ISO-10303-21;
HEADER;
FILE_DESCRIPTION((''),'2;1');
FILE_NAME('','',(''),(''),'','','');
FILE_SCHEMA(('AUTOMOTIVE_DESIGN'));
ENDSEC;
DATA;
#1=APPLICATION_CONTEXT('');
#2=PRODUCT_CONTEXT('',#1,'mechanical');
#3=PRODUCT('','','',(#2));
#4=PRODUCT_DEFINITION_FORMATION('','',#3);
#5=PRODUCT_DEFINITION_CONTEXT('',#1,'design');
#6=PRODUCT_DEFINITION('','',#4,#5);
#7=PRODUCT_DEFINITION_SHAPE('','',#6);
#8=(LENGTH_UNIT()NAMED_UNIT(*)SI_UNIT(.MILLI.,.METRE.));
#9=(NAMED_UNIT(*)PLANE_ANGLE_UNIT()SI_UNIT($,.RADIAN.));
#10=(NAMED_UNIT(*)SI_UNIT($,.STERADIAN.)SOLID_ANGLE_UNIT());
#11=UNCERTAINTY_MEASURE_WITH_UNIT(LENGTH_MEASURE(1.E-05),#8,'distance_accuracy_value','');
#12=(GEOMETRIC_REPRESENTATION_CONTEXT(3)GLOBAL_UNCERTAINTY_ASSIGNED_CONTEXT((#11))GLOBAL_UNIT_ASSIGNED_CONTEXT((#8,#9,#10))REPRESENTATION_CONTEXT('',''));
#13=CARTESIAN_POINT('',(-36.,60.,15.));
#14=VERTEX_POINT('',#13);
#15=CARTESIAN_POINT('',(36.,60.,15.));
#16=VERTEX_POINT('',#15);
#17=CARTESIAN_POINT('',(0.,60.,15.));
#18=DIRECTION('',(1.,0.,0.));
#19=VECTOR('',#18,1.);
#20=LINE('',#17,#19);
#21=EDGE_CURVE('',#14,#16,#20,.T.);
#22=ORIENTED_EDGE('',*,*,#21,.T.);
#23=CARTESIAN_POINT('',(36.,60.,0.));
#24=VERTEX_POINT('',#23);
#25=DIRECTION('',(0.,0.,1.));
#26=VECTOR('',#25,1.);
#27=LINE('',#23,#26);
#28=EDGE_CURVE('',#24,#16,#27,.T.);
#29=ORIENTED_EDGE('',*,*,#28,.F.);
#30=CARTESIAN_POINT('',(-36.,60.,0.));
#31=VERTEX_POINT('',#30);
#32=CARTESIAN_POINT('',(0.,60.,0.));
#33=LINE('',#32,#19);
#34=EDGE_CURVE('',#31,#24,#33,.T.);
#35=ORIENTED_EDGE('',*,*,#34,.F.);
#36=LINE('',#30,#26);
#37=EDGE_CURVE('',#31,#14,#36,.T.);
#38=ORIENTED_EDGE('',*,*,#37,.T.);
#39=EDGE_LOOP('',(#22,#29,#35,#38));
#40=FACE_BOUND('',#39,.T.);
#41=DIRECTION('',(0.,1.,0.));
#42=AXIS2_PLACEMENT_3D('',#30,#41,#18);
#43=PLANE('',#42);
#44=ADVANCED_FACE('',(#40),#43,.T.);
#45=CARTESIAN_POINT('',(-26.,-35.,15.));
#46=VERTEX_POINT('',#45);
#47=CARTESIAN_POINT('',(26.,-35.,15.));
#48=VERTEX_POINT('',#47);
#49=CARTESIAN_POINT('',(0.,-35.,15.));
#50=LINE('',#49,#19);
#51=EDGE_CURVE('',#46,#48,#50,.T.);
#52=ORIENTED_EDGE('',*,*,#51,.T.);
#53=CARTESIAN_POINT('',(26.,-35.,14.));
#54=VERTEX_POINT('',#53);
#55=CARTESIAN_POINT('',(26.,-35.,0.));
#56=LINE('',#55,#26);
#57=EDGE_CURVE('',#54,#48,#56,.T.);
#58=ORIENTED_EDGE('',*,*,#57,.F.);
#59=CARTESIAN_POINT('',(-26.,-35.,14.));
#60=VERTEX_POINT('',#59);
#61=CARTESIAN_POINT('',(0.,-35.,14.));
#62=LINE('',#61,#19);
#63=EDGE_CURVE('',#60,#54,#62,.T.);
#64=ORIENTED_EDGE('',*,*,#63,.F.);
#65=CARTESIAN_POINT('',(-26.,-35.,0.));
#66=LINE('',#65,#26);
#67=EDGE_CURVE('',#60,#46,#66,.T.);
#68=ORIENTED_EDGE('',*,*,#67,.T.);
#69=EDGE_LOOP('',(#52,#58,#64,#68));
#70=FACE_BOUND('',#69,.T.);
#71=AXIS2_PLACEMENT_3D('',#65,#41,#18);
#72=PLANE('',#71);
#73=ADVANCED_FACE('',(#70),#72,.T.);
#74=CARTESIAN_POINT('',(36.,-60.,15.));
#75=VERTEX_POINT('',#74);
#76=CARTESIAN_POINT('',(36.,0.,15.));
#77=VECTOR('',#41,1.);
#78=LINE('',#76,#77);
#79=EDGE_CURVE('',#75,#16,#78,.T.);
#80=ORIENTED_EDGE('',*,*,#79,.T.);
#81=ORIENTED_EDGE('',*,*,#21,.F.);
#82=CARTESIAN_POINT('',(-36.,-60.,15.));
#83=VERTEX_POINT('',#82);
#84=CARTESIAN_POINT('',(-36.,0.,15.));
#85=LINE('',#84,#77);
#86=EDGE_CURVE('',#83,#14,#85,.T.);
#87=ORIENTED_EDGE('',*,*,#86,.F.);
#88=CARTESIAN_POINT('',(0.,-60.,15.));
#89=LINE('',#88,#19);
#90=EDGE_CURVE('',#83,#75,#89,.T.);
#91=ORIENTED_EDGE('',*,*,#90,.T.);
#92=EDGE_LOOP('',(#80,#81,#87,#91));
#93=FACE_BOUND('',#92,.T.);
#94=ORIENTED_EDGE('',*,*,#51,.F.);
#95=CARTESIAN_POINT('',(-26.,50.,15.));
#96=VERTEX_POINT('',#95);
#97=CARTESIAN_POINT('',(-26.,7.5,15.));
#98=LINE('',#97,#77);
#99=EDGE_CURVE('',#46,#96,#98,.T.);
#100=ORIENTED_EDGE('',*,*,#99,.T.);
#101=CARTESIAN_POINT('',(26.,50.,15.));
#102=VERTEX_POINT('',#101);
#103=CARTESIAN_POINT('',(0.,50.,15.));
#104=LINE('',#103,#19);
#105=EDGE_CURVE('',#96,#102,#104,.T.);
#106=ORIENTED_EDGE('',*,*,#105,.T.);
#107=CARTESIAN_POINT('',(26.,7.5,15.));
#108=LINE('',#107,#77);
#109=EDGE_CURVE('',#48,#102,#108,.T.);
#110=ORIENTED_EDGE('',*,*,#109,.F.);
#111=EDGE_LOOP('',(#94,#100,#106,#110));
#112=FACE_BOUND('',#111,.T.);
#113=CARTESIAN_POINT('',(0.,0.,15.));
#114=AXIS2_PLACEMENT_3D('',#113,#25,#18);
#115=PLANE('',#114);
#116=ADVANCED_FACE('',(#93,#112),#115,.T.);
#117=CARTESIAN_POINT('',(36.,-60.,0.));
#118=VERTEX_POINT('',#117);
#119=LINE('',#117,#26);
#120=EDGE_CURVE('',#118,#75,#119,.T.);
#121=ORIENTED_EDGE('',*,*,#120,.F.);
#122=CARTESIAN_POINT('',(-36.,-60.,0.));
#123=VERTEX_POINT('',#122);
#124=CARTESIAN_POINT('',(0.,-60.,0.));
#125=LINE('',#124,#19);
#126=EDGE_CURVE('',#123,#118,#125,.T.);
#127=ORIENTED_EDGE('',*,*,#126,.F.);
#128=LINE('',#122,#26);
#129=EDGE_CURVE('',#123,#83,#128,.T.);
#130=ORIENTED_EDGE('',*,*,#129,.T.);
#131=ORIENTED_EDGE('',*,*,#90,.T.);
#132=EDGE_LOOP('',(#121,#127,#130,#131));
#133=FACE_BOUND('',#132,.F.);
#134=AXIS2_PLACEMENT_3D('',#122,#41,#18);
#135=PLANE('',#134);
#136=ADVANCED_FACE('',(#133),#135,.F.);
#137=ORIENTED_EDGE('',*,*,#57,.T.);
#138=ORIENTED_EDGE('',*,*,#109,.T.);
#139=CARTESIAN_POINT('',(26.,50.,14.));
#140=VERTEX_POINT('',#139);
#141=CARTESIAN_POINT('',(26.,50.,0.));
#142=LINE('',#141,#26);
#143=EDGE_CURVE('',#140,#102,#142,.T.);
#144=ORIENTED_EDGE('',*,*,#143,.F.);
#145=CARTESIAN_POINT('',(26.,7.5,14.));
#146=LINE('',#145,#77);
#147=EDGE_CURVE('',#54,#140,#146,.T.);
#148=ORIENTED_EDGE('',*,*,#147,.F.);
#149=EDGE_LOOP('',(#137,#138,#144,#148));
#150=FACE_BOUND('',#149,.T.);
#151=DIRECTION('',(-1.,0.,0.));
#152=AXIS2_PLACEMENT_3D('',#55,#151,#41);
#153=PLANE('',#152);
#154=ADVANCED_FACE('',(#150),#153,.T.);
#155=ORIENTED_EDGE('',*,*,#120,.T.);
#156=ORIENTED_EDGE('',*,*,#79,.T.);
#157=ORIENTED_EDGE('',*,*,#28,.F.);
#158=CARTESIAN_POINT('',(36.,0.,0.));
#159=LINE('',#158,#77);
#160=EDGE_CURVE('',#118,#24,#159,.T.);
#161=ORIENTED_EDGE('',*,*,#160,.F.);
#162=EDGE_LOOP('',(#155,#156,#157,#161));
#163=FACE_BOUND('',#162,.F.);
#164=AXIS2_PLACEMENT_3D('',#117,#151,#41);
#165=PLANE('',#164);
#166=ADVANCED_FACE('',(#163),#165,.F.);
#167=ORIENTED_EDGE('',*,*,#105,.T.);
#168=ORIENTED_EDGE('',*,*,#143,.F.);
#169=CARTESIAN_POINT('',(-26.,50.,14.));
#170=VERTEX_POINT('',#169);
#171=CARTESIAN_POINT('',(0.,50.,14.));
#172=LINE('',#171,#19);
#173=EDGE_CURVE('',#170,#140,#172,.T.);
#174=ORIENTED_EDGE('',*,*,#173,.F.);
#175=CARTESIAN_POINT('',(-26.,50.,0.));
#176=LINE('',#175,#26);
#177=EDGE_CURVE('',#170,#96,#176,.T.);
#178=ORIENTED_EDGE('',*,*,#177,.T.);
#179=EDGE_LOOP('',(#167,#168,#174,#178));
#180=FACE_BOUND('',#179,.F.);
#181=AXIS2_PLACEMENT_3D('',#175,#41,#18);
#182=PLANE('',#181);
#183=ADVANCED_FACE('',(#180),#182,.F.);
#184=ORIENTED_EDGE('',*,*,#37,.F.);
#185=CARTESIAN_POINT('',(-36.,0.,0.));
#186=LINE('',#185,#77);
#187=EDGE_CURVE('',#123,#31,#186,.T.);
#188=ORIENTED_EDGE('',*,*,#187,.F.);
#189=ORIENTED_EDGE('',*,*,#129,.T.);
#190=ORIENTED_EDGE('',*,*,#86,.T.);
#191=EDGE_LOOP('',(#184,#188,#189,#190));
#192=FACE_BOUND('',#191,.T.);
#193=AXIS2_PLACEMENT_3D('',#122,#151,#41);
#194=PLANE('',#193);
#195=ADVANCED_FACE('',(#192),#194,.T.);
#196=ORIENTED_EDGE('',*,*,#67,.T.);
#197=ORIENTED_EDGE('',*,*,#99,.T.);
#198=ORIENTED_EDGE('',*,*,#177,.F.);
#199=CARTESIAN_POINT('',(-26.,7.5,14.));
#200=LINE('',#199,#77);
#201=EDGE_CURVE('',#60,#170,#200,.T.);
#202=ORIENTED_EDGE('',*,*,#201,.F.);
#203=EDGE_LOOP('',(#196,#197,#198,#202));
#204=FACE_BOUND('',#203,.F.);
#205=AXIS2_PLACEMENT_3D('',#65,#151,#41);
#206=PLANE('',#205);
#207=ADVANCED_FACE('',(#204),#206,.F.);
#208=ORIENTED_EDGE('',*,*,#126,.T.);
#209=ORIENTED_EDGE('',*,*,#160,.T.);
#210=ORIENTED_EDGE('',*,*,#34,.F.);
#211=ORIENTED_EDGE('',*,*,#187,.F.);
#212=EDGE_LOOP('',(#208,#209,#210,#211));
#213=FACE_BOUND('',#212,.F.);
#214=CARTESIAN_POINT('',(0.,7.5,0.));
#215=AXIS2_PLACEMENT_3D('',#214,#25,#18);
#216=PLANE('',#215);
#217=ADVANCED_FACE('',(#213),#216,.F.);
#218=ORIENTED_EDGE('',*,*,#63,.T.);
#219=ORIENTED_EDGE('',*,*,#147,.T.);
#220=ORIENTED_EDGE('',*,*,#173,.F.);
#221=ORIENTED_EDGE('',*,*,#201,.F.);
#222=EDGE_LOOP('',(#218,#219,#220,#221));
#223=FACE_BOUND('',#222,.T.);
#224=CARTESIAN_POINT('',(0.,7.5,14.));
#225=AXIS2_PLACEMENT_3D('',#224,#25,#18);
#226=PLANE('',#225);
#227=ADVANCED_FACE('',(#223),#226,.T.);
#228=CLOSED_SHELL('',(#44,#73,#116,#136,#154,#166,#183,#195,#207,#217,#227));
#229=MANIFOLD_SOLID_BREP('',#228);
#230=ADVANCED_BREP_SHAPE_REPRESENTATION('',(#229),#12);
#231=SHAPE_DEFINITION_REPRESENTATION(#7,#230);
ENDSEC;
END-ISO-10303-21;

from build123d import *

# Parameters (mm, degrees)
F0_W     = 72
F0_H     = 120
F0_W_2   = 52
F0_H_2   = 85
F1_DEPTH = 15
F2_DEPTH = 14


with BuildPart() as f1:
    # F0 (on Top) → F1 (new body)
    with BuildSketch(Plane.XY):
        Rectangle(F0_W, F0_H)
        with Locations((0, 7.5)):
            Rectangle(F0_W_2, F0_H_2, mode=Mode.SUBTRACT)
    extrude(amount=F1_DEPTH)

    # F0 (on Top) → F2 (join)
    with BuildSketch(Plane.XY):
        with Locations((0, 7.5)):
            Rectangle(F0_W_2, F0_H_2)
    extrude(amount=F2_DEPTH)


solid = f1.part
